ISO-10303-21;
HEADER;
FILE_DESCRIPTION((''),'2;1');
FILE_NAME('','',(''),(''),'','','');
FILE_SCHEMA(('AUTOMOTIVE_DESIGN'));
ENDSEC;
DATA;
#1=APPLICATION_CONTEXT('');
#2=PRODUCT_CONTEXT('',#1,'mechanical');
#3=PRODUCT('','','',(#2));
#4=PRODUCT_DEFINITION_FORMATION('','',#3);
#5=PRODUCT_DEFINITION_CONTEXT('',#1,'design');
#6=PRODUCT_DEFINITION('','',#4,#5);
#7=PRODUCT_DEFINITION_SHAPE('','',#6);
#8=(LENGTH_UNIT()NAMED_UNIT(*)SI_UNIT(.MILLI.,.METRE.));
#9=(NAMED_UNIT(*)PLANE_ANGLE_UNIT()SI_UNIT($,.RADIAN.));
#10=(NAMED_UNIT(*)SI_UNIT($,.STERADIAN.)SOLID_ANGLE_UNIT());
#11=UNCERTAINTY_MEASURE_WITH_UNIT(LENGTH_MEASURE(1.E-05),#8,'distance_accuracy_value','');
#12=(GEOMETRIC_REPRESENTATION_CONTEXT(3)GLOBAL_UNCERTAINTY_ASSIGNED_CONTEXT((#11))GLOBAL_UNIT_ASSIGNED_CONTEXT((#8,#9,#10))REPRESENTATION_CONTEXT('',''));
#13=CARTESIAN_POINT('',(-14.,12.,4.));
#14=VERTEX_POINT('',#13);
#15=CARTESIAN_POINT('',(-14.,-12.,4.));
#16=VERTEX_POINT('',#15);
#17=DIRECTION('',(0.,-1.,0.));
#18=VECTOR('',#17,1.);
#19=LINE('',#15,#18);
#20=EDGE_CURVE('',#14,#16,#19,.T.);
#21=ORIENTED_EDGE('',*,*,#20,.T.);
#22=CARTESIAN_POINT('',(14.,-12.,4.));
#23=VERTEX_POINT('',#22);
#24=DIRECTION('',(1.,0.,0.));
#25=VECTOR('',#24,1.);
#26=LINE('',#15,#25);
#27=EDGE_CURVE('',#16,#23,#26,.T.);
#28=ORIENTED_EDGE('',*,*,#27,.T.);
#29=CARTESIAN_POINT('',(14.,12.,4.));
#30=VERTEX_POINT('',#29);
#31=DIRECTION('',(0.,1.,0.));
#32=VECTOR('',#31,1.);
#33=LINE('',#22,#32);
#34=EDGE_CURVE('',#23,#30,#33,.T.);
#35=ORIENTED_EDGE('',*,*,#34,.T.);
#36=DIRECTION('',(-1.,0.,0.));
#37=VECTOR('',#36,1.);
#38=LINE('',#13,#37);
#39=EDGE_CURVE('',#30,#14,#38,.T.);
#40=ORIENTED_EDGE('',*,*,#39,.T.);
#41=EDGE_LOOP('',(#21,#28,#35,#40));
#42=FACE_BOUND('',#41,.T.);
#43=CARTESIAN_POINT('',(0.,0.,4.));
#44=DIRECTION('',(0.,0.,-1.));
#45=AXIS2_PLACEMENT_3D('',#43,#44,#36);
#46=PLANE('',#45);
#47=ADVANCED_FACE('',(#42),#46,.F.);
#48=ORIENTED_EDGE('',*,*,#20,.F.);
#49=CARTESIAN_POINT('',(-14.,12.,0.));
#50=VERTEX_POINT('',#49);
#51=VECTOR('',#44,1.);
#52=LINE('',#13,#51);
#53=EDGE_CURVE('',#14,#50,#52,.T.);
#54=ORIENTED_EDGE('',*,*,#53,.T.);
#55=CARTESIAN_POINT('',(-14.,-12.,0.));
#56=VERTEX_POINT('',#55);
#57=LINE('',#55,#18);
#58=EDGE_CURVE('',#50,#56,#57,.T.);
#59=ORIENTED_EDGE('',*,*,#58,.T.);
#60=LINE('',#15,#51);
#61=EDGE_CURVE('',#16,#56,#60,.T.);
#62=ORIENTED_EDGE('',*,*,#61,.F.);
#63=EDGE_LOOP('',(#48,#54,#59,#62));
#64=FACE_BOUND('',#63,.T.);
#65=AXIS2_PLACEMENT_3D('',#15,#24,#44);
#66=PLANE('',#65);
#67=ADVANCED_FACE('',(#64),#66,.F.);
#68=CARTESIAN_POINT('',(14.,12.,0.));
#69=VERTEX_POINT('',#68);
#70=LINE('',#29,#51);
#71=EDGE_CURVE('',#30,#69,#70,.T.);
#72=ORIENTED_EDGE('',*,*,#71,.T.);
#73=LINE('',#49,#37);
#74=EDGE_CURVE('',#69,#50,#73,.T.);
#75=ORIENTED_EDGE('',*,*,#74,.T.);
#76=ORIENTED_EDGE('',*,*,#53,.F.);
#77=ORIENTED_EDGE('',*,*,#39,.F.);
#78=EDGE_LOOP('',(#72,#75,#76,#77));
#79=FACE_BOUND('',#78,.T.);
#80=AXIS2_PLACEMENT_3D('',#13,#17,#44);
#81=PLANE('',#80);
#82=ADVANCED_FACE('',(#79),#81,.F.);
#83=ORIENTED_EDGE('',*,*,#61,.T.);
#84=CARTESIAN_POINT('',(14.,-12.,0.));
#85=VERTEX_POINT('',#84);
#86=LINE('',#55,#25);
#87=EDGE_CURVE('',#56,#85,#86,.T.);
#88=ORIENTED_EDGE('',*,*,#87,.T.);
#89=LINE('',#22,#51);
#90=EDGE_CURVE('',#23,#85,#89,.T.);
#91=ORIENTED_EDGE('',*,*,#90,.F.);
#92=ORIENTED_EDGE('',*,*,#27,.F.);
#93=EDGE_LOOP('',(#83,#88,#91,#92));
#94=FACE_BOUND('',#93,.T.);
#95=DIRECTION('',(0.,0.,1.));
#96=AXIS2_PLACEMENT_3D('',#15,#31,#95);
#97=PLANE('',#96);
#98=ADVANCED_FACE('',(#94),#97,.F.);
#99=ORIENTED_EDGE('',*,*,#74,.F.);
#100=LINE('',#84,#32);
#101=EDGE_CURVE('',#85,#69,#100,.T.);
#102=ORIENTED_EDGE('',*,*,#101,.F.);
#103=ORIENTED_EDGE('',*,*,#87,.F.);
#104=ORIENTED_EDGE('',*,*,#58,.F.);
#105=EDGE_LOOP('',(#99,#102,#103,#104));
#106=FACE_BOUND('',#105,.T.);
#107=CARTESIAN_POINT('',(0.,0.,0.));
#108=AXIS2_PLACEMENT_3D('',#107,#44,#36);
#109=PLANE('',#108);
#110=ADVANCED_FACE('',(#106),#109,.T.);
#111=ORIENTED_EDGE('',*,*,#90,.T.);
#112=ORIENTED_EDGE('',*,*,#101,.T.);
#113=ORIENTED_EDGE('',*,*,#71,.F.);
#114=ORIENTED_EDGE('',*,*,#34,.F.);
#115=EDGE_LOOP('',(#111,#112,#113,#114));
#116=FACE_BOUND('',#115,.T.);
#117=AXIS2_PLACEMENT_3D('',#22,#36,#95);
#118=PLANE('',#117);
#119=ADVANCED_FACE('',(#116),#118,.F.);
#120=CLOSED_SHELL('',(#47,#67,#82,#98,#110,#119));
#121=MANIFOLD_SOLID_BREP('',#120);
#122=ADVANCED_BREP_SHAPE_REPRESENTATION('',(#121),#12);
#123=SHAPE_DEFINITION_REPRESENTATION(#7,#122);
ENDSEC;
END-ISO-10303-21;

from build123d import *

# Parameters (mm, degrees)
SKETCH1_W           = 28
SKETCH1_H           = 24
BOSS_EXTRUDE1_DEPTH = 4


with BuildPart() as part:
    # Sketch1 → Boss-Extrude1 (new body)
    with BuildSketch(Plane.XY):
        Rectangle(SKETCH1_W, SKETCH1_H)
    extrude(amount=BOSS_EXTRUDE1_DEPTH)


solid = part.part
